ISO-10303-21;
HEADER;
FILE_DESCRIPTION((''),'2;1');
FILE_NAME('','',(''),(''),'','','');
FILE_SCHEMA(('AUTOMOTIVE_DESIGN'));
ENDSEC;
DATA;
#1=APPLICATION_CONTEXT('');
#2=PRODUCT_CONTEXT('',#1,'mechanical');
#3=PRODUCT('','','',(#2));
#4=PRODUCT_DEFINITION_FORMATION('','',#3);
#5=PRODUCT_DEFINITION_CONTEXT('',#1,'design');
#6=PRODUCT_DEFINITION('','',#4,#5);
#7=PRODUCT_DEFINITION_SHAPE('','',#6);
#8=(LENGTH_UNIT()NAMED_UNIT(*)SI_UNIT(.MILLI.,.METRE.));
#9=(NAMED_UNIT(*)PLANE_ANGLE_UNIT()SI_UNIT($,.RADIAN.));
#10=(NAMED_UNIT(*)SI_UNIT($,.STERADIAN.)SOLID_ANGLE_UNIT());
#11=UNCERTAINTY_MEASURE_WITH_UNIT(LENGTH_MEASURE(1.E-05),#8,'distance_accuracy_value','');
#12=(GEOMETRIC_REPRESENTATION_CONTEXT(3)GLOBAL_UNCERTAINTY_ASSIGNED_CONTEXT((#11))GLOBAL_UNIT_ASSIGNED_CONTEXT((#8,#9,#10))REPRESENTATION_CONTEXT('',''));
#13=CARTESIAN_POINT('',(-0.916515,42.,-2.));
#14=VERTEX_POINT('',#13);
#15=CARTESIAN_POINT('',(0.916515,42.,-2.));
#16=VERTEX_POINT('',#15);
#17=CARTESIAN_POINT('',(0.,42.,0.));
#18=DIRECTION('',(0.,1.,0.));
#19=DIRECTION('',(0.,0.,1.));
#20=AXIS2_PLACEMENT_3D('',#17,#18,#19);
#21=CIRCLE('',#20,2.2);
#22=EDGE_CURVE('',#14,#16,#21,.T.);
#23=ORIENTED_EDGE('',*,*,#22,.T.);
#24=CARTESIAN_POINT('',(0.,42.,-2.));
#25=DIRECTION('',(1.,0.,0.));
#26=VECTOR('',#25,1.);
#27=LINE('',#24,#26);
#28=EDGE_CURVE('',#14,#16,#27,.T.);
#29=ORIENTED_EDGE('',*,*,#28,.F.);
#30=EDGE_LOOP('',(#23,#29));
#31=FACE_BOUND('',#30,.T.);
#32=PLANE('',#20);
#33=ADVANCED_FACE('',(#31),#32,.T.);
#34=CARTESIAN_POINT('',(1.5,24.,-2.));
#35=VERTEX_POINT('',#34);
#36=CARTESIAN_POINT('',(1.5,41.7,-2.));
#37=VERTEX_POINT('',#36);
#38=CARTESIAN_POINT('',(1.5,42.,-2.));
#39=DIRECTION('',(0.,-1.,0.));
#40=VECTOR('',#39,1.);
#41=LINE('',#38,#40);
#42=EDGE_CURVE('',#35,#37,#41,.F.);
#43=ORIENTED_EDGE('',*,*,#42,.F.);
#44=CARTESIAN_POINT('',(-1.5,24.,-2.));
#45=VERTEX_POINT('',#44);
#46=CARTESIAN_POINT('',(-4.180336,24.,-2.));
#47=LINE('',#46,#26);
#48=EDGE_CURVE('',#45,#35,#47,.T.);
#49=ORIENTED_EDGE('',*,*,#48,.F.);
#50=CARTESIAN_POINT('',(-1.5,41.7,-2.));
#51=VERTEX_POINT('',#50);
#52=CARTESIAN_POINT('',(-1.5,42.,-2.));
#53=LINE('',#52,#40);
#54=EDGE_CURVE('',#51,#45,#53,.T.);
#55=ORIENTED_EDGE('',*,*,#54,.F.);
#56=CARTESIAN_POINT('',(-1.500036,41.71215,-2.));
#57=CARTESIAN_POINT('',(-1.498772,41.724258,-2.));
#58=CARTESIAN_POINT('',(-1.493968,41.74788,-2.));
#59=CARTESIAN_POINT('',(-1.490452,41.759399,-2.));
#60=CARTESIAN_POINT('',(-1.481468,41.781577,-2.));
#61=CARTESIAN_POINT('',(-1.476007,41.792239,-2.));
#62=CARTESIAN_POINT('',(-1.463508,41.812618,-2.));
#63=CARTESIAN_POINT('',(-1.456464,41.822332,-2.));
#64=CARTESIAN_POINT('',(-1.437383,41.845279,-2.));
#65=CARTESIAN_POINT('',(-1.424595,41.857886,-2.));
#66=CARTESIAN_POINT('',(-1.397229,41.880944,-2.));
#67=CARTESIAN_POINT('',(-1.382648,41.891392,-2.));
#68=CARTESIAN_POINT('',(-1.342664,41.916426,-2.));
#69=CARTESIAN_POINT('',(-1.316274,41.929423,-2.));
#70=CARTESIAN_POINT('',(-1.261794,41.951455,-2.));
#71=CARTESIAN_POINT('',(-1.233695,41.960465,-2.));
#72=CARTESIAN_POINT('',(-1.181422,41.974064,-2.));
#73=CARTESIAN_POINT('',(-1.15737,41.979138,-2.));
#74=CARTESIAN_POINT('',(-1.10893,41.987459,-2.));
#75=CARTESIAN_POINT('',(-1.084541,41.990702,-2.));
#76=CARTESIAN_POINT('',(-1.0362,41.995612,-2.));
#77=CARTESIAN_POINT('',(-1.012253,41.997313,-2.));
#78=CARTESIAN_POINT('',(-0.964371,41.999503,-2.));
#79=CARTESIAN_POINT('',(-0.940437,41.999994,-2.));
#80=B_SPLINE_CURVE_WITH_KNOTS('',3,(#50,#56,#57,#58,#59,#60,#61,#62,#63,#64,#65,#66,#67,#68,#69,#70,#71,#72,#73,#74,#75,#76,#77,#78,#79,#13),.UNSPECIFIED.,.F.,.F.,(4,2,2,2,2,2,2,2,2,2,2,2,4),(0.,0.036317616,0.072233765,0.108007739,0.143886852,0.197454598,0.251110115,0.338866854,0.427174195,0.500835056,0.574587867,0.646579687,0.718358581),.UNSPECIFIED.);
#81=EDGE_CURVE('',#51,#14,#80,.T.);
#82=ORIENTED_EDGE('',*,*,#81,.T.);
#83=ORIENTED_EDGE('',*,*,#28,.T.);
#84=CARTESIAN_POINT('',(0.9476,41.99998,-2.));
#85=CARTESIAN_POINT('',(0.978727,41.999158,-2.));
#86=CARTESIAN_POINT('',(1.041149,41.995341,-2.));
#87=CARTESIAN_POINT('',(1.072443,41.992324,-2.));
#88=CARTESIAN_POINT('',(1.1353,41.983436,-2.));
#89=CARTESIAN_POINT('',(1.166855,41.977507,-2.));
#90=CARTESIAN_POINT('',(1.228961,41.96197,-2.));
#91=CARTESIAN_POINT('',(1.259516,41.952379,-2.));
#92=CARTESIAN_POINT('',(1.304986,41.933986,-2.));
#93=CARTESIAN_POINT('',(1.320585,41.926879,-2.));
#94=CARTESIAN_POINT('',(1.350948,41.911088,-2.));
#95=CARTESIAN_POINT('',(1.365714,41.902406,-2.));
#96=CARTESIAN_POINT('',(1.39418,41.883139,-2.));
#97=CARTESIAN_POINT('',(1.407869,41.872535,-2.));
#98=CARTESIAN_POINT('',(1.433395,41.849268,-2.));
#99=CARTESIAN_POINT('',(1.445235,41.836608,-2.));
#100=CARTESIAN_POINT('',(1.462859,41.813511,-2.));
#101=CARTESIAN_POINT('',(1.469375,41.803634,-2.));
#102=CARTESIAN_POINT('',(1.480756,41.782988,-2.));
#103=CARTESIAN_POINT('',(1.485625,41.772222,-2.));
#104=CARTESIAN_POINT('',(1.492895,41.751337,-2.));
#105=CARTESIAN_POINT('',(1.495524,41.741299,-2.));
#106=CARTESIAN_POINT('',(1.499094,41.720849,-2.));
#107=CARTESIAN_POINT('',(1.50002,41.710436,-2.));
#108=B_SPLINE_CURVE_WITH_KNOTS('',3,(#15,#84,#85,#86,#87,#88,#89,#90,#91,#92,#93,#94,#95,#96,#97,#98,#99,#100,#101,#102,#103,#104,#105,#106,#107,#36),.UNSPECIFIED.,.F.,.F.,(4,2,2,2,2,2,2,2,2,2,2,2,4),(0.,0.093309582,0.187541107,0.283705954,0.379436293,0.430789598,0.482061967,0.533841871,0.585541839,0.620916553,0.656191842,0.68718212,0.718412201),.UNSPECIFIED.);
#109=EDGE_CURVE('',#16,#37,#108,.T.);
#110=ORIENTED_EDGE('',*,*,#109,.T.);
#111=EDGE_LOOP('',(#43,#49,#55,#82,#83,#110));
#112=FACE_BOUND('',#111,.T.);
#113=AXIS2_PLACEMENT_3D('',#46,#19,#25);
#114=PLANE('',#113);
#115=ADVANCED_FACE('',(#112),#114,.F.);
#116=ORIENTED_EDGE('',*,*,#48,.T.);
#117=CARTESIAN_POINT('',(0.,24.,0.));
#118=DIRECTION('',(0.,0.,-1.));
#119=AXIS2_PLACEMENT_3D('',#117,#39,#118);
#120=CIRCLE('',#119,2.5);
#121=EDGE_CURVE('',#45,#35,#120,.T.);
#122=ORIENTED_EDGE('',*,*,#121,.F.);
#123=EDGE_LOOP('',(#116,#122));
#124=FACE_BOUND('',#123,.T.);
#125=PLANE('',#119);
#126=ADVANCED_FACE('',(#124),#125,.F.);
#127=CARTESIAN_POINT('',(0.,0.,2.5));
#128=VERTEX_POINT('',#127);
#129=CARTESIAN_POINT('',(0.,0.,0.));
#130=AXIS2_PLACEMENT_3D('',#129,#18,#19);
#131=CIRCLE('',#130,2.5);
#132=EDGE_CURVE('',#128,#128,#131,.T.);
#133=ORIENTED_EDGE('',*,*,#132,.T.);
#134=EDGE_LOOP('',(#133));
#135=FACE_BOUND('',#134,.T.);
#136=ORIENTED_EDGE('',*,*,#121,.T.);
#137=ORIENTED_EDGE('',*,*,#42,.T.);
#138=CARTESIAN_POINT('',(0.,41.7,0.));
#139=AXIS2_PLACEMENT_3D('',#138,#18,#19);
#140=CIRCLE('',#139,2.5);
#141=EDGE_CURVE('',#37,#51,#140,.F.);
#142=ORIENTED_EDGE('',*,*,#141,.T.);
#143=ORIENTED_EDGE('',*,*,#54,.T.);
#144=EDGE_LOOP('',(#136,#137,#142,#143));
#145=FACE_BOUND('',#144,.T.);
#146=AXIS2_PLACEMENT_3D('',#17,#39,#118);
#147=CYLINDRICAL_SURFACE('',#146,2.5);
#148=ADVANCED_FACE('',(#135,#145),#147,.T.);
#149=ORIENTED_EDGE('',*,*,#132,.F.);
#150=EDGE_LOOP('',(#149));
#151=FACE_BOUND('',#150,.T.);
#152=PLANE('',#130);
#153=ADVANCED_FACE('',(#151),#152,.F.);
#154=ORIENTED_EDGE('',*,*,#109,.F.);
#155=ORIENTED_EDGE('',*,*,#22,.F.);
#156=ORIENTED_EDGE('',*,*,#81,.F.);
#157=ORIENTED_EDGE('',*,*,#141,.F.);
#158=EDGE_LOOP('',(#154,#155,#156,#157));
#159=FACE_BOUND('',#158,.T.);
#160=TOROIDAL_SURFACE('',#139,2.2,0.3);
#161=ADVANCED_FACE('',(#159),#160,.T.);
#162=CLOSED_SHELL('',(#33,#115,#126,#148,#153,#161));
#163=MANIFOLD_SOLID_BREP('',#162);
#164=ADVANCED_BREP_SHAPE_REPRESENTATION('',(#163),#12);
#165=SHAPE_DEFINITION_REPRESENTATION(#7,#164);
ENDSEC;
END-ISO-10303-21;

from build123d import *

# Parameters (mm, degrees)
SKETCH1_R           = 2.5
BOSS_EXTRUDE1_DEPTH = 42
SKETCH2_W           = 8.231649798
SKETCH2_H           = 2.477236303
CUT_EXTRUDE1_DEPTH  = 18
FILLET1_R           = 0.3


with BuildPart() as part:
    # Sketch1 → Boss-Extrude1 (new body)
    with BuildSketch(Plane(origin=(0, 0, 0), x_dir=(1, 0, 0), z_dir=(0, 1, 0))):
        with Locations(Location((0, 0, 0), (0, 0, 90))):
            Circle(SKETCH1_R)
    extrude(amount=BOSS_EXTRUDE1_DEPTH)

    # Sketch2 → Cut-Extrude1 (cut)
    with BuildSketch(Plane(origin=(0, 42, 0), x_dir=(1, 0, 0), z_dir=(0, 1, 0))):
        with Locations((-0.064511362, 3.238618152)):
            Rectangle(SKETCH2_W, SKETCH2_H)
    extrude(amount=-CUT_EXTRUDE1_DEPTH, mode=Mode.SUBTRACT)

    # Fillet1
    fillet1_edges = [part.edges().sort_by_distance(p)[0] for p in [
        (0, 42, 2.5),
    ]]
    fillet(fillet1_edges, radius=FILLET1_R)


solid = part.part
